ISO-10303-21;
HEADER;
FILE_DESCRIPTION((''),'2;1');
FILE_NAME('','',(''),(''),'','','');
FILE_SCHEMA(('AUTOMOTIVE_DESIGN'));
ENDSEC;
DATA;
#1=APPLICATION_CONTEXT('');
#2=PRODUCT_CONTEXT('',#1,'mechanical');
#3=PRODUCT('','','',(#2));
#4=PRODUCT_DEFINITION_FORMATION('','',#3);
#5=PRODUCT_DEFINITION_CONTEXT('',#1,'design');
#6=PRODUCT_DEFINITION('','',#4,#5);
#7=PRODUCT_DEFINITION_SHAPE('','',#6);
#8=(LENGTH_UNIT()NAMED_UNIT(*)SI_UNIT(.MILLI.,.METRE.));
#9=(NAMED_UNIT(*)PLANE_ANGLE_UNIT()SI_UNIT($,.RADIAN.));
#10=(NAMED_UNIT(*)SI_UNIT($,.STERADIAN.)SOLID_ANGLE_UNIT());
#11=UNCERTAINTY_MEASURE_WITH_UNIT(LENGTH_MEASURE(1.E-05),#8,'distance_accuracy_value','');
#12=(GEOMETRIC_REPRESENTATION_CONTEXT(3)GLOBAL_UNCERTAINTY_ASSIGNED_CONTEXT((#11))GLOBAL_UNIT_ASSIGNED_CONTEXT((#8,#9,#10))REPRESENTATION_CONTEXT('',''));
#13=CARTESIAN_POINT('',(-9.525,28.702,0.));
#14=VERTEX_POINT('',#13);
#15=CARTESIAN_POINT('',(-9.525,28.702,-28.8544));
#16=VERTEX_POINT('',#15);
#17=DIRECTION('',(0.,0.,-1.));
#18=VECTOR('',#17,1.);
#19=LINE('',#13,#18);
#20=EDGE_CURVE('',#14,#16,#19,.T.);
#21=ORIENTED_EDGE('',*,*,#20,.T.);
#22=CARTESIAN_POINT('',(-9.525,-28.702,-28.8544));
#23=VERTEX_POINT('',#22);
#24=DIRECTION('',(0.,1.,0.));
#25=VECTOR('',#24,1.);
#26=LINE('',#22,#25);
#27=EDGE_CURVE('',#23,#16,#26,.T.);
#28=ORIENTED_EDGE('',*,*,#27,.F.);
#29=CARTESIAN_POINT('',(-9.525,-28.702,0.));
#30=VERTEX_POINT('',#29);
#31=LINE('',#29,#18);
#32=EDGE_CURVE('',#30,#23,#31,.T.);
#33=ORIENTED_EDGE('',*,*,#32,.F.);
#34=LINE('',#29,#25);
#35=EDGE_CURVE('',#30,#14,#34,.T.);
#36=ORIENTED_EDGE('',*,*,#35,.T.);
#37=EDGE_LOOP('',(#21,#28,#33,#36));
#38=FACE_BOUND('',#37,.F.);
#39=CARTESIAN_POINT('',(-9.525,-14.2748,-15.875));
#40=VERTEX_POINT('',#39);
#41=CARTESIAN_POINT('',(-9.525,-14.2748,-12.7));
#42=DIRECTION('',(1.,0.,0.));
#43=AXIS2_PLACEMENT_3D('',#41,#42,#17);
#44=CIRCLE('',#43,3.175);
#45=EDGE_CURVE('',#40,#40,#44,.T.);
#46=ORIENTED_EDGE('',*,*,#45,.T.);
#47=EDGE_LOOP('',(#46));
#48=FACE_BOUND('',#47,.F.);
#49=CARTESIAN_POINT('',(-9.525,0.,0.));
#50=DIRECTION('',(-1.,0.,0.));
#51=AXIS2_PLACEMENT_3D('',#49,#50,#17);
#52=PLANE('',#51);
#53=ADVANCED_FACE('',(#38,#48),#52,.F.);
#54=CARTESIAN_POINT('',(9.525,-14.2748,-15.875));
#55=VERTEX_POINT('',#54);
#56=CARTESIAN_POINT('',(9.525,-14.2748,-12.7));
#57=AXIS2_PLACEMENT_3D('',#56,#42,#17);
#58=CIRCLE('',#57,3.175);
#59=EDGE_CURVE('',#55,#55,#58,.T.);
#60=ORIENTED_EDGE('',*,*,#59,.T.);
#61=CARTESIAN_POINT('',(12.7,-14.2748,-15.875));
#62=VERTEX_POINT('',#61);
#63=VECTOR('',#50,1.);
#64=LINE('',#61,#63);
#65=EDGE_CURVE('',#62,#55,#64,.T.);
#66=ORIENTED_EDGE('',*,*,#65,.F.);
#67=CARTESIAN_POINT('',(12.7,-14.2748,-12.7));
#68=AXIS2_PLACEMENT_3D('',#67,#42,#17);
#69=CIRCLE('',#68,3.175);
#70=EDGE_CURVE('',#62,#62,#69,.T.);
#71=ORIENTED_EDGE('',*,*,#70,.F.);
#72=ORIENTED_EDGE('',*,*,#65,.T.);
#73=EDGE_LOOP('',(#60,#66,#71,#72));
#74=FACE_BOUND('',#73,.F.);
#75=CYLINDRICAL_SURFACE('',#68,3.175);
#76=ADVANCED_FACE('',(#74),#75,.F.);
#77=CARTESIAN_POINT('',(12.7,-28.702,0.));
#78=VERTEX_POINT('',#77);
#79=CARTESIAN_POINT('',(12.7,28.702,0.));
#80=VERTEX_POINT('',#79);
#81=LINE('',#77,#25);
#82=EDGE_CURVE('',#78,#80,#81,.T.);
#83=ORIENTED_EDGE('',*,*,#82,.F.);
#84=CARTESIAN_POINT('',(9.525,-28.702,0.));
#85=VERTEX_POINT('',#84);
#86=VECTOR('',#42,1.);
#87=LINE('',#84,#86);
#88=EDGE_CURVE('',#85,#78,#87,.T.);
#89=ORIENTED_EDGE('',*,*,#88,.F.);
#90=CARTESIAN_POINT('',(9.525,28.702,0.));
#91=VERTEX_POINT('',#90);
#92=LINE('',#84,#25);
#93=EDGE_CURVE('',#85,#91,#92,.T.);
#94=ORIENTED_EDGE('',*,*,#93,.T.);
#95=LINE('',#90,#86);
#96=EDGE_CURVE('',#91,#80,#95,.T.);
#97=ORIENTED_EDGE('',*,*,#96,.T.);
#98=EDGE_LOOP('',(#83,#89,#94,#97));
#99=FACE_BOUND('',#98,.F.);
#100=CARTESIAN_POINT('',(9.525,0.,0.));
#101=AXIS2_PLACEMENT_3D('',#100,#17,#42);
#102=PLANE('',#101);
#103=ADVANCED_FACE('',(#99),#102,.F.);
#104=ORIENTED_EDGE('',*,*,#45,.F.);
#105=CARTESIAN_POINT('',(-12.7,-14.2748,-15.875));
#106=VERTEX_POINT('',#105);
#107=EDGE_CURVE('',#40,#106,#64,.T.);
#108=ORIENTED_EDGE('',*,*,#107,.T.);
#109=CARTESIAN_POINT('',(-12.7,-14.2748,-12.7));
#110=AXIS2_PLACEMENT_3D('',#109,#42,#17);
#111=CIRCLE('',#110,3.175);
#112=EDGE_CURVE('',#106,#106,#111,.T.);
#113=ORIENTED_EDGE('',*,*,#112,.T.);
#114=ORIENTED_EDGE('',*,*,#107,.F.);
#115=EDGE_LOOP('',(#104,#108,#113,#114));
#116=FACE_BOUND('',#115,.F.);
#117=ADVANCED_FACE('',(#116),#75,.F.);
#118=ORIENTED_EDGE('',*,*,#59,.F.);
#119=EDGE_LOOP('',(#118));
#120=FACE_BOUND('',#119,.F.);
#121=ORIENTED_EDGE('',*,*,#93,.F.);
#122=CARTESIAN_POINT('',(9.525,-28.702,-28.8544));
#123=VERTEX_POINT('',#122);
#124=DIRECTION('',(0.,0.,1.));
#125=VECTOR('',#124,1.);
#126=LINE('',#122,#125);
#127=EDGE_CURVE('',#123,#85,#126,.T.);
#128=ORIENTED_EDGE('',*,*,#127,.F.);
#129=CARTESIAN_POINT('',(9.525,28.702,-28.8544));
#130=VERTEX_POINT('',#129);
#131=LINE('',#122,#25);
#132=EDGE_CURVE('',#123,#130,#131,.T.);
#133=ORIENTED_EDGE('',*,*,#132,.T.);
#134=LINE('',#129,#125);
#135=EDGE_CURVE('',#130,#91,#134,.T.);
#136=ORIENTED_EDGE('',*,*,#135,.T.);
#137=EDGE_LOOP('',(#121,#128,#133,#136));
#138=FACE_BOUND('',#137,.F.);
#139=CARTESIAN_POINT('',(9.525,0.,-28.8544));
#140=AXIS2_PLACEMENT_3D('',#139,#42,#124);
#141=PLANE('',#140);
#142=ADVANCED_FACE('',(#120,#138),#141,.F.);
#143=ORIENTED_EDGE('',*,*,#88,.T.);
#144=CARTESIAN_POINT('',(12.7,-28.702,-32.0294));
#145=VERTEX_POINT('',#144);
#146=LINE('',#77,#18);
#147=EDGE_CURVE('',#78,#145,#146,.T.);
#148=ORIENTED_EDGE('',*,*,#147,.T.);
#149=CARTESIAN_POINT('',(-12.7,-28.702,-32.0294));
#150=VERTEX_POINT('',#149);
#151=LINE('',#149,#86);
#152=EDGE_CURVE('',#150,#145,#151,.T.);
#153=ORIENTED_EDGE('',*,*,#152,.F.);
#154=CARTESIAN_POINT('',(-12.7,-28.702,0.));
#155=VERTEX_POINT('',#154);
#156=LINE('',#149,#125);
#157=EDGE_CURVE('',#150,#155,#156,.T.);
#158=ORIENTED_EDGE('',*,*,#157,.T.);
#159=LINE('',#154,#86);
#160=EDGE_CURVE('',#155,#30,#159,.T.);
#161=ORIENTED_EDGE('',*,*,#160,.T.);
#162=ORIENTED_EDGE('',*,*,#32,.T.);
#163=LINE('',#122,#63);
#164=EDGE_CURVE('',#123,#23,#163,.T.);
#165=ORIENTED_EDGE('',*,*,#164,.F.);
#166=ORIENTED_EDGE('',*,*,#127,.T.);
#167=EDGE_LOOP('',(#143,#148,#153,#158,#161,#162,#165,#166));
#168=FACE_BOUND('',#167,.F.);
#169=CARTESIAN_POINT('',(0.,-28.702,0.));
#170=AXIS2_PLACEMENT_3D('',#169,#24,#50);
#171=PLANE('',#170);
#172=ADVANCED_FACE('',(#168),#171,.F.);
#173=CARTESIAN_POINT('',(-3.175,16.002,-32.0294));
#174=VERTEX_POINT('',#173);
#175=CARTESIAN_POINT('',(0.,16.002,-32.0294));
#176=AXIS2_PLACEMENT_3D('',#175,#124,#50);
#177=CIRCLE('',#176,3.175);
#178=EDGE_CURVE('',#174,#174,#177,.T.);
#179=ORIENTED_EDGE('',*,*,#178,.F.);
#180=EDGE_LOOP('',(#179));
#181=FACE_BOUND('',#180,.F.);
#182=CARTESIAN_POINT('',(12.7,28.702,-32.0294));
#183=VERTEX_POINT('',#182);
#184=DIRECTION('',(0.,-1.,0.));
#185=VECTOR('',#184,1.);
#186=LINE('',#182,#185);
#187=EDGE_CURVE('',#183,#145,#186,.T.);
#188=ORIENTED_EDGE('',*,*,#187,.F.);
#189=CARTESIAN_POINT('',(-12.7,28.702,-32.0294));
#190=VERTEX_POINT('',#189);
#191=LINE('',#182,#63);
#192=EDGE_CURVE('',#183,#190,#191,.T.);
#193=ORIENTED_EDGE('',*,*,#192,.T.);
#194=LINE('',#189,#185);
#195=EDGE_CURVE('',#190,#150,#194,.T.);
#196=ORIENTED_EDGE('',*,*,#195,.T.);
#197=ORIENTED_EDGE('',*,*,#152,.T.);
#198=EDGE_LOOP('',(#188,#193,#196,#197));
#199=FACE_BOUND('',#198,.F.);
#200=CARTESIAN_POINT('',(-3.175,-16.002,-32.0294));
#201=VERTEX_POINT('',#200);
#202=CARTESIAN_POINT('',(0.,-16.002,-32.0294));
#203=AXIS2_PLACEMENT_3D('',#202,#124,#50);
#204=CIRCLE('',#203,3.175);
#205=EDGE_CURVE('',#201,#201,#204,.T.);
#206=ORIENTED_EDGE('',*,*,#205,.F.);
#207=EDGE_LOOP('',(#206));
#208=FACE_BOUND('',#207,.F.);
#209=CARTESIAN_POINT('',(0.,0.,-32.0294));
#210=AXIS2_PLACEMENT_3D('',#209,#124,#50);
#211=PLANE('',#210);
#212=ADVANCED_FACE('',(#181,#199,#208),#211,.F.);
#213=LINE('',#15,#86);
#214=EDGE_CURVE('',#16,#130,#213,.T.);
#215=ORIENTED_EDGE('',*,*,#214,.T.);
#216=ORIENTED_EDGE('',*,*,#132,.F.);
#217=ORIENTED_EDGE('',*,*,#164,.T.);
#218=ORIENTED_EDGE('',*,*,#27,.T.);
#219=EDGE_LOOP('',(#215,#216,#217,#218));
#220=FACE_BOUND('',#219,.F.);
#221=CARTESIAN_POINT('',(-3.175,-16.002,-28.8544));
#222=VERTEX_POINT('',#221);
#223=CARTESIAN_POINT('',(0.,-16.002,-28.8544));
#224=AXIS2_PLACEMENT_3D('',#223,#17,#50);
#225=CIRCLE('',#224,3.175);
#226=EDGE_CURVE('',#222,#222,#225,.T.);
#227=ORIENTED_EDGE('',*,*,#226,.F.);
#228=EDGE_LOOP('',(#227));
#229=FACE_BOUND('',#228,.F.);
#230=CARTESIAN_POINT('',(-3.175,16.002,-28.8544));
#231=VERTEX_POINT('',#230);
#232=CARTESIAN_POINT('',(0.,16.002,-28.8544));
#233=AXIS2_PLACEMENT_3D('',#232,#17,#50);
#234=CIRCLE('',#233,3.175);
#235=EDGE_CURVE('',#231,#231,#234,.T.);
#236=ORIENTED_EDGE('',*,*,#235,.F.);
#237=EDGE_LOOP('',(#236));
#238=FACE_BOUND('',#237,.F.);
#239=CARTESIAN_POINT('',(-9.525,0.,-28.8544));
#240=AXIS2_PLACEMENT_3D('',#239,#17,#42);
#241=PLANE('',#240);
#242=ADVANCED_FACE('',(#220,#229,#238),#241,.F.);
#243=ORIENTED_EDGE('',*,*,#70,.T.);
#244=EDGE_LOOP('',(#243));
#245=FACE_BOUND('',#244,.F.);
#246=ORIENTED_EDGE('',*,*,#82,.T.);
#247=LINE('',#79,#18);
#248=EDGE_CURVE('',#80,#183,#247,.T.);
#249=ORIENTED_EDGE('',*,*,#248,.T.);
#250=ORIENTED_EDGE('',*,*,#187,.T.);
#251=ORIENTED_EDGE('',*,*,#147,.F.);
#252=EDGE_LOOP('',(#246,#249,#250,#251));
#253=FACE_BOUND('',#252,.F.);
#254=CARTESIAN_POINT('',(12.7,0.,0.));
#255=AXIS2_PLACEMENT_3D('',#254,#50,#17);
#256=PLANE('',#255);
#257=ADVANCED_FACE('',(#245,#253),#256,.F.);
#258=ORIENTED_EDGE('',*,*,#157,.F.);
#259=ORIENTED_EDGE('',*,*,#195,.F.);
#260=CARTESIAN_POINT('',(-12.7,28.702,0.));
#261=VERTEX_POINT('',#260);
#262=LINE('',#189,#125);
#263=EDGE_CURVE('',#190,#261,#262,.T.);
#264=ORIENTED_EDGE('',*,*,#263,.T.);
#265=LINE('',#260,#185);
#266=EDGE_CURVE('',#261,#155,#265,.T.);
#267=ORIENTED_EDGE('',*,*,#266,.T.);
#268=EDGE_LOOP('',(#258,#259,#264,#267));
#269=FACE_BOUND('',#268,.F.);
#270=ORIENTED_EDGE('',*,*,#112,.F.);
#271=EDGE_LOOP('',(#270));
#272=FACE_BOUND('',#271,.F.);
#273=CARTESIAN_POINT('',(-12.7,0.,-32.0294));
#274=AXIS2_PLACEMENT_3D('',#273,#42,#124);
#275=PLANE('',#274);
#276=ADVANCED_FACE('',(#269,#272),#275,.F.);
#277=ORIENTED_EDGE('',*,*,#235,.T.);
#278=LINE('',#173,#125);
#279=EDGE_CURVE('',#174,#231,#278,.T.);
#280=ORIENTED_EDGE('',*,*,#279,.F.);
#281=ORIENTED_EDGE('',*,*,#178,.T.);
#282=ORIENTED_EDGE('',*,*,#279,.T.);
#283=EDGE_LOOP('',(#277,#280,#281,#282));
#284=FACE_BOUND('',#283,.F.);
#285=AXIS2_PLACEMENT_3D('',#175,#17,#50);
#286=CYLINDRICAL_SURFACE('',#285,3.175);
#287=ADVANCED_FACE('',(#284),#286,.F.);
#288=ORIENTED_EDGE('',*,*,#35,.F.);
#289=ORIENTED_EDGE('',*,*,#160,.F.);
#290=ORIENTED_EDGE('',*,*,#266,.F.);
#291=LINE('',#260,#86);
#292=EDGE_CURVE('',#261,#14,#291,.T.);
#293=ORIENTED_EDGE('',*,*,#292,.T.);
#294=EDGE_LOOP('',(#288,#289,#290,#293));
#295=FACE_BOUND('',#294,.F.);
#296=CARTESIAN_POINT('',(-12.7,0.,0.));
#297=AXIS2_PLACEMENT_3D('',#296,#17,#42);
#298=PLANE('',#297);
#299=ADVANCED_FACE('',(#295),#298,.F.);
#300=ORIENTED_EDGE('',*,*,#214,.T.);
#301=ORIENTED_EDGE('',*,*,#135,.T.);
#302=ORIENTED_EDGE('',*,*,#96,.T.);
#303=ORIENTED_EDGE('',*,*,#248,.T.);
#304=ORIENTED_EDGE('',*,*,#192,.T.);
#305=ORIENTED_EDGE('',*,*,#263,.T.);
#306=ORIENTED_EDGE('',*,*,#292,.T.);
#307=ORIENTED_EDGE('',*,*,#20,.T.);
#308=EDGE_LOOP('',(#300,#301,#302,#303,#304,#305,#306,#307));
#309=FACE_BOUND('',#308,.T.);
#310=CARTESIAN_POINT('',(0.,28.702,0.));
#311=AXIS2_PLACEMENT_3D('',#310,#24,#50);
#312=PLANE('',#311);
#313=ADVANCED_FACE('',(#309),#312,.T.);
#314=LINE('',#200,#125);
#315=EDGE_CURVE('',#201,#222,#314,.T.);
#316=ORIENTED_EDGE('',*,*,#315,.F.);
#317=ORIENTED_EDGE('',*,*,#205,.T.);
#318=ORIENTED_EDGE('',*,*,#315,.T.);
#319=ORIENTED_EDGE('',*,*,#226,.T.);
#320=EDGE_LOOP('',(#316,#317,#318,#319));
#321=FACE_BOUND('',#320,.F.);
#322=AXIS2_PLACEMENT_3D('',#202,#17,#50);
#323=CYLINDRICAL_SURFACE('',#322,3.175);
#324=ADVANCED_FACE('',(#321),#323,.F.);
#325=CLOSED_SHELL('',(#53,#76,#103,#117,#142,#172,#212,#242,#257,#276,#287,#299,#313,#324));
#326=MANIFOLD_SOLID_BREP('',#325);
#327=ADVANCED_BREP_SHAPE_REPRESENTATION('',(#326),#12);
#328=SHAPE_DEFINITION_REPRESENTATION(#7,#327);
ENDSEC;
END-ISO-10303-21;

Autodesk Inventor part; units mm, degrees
ref_plane "YZ Plane" through (0, 0, 0) normal (1, 0, 0) x (0, 1, 0)
ref_plane "XZ Plane" through (0, 0, 0) normal (0, 1, 0) x (-1, 0, 0)
ref_plane "XY Plane" through (0, 0, 0) normal (0, 0, 1) x (1, 0, 0)
sketch "Sketch1" plane through (0, 0, 0) normal (0, 1, 0) x (-1, 0, 0)
  line L0 (9.525, 0) -> (9.525, -28.8544)
  line L1 (9.525, -28.8544) -> (-9.525, -28.8544)
  line L2 (-9.525, -28.8544) -> (-9.525, 0)
  line L3 (-9.525, 0) -> (-12.7, 0)
  line L4 (-12.7, 0) -> (-12.7, -32.0294)
  line L5 (-12.7, -32.0294) -> (12.7, -32.0294)
  line L6 (12.7, -32.0294) -> (12.7, 0)
  line L7 (12.7, 0) -> (9.525, 0)
  line L8 (0, -38.4353) -> (0, 6.4059) projected
  line L9 (-17.78, 0) -> (17.78, 0) projected
  point P0 (0, 0)
  dimension "d0" = 3.175
  dimension "d1" = 19.05
  dimension "d2" = 28.8544
  dimension "d3" = 3.175
extrude "Extrusion1" add sketch "Sketch1" along normal mid plane 57.404 contours L7 L6 L5 L8 L1 L0 | L8 L5 L4 L3 L2 L1
sketch "Sketch2" plane through (12.7, 28.702, -32.0294) normal (0, 0, -1) x (-1, 0, 0)
  line L0 (25.4, -57.404) -> (25.4, 0) projected
  line L1 (0, 0) -> (25.4, 0) projected
  line L2 (0, -57.404) -> (0, 0) projected
  line L3 (25.4, -57.404) -> (0, -57.404) projected
  line L4 (12.7, -68.8848) -> (12.7, 11.4808) projected
  line L5 (-5.08, -28.702) -> (30.48, -28.702) projected
  circle A0 centre (12.7, -12.7) radius 3.175
  circle A1 centre (12.7, -44.704) radius 3.175
  point P0 (12.7, -28.702)
  dimension "d6" = 6.35
  dimension "d7" = 16.002
extrude "Extrusion2" cut sketch "Sketch2" against normal up to next contours A1 L4 | L4 A1 | A0 L4 | L4 A0
sketch "Sketch3" plane through (12.7, -28.702, -32.0294) normal (1, 0, 0) x (0, 0, -1)
  line L0 (0, 0) -> (0, 57.404) projected
  line L1 (-32.0294, 57.404) -> (0, 57.404) projected
  line L2 (-32.0294, 0) -> (-32.0294, 57.404) projected
  line L3 (0, 0) -> (-32.0294, 0) projected
  circle A0 centre (-19.3294, 14.4272) radius 3.175
  point P0 (-32.0294, 28.702)
  dimension "d10" = 6.35
  dimension "d11" = 12.7
  dimension "d12" = 14.4272
extrude "Extrusion3" cut sketch "Sketch3" against normal up to surface (25.4 mm away) contours A0
properties part number "Actuator Bracket"
